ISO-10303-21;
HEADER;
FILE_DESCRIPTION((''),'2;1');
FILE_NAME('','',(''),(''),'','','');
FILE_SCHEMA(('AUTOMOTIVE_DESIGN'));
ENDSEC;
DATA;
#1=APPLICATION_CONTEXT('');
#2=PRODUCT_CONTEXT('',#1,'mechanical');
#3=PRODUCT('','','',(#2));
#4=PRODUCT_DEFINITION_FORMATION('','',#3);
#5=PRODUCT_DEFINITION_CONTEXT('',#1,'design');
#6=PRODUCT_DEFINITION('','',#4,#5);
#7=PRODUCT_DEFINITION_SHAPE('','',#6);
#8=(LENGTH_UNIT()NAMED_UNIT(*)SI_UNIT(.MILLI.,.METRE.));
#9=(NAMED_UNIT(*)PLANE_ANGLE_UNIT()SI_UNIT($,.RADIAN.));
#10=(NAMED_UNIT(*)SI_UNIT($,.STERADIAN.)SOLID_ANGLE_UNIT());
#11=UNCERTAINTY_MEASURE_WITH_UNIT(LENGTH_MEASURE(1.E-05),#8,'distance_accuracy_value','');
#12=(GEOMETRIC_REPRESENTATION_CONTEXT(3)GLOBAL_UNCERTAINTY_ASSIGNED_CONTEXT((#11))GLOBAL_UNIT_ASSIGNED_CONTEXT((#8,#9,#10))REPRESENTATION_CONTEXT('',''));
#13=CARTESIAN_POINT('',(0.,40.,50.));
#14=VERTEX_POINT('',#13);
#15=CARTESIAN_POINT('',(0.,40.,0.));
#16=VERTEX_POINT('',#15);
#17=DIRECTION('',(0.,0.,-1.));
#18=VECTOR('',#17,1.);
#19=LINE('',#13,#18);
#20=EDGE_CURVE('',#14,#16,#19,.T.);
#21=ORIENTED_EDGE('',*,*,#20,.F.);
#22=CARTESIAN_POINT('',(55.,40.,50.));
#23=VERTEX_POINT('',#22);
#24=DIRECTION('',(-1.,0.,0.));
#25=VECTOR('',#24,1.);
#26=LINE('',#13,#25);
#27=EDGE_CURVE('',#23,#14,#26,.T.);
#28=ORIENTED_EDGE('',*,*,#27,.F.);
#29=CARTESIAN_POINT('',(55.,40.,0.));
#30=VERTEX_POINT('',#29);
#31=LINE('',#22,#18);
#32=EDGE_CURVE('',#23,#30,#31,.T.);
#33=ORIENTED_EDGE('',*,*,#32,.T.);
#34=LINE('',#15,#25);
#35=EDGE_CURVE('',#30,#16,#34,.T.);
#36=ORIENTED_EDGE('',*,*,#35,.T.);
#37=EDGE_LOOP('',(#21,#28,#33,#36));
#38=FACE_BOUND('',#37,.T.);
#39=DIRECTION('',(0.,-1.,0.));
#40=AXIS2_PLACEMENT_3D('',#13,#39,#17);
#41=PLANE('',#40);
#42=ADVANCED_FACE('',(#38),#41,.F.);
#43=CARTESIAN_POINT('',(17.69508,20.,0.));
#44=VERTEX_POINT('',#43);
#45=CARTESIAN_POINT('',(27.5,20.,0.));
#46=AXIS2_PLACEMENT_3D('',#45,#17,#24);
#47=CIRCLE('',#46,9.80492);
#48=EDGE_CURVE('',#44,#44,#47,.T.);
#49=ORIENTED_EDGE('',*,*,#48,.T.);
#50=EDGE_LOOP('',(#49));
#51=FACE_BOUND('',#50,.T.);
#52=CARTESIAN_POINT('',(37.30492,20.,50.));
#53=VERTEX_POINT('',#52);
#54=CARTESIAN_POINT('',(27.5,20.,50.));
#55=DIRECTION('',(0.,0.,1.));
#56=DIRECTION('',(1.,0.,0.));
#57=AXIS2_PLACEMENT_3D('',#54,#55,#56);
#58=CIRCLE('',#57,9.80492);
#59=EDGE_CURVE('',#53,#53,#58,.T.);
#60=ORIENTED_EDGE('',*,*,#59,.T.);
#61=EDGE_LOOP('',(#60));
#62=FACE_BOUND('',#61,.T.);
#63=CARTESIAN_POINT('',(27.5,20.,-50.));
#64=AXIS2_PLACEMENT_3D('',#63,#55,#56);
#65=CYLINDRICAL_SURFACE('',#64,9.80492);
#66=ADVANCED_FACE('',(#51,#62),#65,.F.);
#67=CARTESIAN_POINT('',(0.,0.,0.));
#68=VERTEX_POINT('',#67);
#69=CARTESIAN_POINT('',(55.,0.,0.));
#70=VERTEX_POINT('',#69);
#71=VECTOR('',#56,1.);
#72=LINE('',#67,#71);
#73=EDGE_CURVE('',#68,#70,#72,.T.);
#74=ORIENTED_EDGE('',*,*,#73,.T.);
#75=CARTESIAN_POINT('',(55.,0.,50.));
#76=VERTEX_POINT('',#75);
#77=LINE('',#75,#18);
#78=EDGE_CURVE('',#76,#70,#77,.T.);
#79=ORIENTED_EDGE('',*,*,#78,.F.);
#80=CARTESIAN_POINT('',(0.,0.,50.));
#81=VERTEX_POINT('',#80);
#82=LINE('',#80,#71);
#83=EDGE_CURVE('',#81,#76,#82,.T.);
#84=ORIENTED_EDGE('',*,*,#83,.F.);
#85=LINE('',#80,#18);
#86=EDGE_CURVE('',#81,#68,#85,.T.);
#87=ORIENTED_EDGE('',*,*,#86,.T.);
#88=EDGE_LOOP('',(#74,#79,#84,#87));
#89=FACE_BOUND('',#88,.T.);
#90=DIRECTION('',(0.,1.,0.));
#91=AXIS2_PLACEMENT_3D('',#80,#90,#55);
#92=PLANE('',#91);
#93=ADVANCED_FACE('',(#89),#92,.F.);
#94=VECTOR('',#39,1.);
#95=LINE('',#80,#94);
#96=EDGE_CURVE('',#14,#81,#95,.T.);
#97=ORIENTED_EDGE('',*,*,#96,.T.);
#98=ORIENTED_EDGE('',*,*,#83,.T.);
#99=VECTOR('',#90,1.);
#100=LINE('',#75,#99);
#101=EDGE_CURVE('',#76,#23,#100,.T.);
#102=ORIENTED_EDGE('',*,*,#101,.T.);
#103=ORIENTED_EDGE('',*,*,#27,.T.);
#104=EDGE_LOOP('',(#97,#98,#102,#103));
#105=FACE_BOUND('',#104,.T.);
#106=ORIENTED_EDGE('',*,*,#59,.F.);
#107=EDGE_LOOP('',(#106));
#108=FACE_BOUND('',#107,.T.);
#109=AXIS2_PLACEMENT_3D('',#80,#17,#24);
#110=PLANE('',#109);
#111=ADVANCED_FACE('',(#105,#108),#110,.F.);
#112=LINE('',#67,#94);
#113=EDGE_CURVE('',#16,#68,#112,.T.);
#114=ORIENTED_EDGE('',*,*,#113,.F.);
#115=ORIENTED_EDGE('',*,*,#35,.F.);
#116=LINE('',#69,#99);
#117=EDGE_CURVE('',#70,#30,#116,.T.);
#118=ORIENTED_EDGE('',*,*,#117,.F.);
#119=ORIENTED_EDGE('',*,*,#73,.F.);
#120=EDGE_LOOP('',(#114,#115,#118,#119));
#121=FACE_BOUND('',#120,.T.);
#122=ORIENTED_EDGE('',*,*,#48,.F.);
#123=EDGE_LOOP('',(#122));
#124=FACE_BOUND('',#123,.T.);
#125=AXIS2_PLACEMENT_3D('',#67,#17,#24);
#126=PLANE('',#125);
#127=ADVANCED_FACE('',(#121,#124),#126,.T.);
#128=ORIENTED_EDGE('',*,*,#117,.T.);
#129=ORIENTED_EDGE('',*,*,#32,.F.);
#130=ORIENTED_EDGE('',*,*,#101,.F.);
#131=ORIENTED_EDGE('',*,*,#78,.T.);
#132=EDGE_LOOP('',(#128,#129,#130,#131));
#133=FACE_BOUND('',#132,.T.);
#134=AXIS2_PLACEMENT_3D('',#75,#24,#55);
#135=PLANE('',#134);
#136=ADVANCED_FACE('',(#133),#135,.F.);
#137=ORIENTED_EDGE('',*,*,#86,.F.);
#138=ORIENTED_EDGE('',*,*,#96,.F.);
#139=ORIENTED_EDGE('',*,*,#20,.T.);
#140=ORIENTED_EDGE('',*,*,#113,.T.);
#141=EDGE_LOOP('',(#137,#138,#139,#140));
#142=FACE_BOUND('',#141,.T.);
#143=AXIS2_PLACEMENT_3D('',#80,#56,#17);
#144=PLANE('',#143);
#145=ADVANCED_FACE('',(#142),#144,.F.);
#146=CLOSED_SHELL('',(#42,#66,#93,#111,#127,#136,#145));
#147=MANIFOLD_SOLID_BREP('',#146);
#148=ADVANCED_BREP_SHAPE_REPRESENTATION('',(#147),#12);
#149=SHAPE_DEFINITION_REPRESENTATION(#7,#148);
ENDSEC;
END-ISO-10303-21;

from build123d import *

# Parameters (mm, degrees)
ESQUISSE1_W             = 55
ESQUISSE1_H             = 40
BOSS_EXTRU_1_DEPTH      = 50
ESQUISSE2_R             = 9.804919657
ENL_V_MAT_EXTRU_1_DEPTH = 100


with BuildPart() as part:
    # Esquisse1 → Boss.-Extru.1 (new body)
    with BuildSketch(Plane.XY):
        with Locations((27.5, 20)):
            Rectangle(ESQUISSE1_W, ESQUISSE1_H)
    extrude(amount=BOSS_EXTRU_1_DEPTH)

    # Esquisse2 → Enlèv. mat.-Extru.1 (cut)
    with BuildSketch(Plane.XY.offset(50)):
        with Locations((27.5, 20)):
            Circle(ESQUISSE2_R)
    extrude(amount=-ENL_V_MAT_EXTRU_1_DEPTH, mode=Mode.SUBTRACT)


solid = part.part
